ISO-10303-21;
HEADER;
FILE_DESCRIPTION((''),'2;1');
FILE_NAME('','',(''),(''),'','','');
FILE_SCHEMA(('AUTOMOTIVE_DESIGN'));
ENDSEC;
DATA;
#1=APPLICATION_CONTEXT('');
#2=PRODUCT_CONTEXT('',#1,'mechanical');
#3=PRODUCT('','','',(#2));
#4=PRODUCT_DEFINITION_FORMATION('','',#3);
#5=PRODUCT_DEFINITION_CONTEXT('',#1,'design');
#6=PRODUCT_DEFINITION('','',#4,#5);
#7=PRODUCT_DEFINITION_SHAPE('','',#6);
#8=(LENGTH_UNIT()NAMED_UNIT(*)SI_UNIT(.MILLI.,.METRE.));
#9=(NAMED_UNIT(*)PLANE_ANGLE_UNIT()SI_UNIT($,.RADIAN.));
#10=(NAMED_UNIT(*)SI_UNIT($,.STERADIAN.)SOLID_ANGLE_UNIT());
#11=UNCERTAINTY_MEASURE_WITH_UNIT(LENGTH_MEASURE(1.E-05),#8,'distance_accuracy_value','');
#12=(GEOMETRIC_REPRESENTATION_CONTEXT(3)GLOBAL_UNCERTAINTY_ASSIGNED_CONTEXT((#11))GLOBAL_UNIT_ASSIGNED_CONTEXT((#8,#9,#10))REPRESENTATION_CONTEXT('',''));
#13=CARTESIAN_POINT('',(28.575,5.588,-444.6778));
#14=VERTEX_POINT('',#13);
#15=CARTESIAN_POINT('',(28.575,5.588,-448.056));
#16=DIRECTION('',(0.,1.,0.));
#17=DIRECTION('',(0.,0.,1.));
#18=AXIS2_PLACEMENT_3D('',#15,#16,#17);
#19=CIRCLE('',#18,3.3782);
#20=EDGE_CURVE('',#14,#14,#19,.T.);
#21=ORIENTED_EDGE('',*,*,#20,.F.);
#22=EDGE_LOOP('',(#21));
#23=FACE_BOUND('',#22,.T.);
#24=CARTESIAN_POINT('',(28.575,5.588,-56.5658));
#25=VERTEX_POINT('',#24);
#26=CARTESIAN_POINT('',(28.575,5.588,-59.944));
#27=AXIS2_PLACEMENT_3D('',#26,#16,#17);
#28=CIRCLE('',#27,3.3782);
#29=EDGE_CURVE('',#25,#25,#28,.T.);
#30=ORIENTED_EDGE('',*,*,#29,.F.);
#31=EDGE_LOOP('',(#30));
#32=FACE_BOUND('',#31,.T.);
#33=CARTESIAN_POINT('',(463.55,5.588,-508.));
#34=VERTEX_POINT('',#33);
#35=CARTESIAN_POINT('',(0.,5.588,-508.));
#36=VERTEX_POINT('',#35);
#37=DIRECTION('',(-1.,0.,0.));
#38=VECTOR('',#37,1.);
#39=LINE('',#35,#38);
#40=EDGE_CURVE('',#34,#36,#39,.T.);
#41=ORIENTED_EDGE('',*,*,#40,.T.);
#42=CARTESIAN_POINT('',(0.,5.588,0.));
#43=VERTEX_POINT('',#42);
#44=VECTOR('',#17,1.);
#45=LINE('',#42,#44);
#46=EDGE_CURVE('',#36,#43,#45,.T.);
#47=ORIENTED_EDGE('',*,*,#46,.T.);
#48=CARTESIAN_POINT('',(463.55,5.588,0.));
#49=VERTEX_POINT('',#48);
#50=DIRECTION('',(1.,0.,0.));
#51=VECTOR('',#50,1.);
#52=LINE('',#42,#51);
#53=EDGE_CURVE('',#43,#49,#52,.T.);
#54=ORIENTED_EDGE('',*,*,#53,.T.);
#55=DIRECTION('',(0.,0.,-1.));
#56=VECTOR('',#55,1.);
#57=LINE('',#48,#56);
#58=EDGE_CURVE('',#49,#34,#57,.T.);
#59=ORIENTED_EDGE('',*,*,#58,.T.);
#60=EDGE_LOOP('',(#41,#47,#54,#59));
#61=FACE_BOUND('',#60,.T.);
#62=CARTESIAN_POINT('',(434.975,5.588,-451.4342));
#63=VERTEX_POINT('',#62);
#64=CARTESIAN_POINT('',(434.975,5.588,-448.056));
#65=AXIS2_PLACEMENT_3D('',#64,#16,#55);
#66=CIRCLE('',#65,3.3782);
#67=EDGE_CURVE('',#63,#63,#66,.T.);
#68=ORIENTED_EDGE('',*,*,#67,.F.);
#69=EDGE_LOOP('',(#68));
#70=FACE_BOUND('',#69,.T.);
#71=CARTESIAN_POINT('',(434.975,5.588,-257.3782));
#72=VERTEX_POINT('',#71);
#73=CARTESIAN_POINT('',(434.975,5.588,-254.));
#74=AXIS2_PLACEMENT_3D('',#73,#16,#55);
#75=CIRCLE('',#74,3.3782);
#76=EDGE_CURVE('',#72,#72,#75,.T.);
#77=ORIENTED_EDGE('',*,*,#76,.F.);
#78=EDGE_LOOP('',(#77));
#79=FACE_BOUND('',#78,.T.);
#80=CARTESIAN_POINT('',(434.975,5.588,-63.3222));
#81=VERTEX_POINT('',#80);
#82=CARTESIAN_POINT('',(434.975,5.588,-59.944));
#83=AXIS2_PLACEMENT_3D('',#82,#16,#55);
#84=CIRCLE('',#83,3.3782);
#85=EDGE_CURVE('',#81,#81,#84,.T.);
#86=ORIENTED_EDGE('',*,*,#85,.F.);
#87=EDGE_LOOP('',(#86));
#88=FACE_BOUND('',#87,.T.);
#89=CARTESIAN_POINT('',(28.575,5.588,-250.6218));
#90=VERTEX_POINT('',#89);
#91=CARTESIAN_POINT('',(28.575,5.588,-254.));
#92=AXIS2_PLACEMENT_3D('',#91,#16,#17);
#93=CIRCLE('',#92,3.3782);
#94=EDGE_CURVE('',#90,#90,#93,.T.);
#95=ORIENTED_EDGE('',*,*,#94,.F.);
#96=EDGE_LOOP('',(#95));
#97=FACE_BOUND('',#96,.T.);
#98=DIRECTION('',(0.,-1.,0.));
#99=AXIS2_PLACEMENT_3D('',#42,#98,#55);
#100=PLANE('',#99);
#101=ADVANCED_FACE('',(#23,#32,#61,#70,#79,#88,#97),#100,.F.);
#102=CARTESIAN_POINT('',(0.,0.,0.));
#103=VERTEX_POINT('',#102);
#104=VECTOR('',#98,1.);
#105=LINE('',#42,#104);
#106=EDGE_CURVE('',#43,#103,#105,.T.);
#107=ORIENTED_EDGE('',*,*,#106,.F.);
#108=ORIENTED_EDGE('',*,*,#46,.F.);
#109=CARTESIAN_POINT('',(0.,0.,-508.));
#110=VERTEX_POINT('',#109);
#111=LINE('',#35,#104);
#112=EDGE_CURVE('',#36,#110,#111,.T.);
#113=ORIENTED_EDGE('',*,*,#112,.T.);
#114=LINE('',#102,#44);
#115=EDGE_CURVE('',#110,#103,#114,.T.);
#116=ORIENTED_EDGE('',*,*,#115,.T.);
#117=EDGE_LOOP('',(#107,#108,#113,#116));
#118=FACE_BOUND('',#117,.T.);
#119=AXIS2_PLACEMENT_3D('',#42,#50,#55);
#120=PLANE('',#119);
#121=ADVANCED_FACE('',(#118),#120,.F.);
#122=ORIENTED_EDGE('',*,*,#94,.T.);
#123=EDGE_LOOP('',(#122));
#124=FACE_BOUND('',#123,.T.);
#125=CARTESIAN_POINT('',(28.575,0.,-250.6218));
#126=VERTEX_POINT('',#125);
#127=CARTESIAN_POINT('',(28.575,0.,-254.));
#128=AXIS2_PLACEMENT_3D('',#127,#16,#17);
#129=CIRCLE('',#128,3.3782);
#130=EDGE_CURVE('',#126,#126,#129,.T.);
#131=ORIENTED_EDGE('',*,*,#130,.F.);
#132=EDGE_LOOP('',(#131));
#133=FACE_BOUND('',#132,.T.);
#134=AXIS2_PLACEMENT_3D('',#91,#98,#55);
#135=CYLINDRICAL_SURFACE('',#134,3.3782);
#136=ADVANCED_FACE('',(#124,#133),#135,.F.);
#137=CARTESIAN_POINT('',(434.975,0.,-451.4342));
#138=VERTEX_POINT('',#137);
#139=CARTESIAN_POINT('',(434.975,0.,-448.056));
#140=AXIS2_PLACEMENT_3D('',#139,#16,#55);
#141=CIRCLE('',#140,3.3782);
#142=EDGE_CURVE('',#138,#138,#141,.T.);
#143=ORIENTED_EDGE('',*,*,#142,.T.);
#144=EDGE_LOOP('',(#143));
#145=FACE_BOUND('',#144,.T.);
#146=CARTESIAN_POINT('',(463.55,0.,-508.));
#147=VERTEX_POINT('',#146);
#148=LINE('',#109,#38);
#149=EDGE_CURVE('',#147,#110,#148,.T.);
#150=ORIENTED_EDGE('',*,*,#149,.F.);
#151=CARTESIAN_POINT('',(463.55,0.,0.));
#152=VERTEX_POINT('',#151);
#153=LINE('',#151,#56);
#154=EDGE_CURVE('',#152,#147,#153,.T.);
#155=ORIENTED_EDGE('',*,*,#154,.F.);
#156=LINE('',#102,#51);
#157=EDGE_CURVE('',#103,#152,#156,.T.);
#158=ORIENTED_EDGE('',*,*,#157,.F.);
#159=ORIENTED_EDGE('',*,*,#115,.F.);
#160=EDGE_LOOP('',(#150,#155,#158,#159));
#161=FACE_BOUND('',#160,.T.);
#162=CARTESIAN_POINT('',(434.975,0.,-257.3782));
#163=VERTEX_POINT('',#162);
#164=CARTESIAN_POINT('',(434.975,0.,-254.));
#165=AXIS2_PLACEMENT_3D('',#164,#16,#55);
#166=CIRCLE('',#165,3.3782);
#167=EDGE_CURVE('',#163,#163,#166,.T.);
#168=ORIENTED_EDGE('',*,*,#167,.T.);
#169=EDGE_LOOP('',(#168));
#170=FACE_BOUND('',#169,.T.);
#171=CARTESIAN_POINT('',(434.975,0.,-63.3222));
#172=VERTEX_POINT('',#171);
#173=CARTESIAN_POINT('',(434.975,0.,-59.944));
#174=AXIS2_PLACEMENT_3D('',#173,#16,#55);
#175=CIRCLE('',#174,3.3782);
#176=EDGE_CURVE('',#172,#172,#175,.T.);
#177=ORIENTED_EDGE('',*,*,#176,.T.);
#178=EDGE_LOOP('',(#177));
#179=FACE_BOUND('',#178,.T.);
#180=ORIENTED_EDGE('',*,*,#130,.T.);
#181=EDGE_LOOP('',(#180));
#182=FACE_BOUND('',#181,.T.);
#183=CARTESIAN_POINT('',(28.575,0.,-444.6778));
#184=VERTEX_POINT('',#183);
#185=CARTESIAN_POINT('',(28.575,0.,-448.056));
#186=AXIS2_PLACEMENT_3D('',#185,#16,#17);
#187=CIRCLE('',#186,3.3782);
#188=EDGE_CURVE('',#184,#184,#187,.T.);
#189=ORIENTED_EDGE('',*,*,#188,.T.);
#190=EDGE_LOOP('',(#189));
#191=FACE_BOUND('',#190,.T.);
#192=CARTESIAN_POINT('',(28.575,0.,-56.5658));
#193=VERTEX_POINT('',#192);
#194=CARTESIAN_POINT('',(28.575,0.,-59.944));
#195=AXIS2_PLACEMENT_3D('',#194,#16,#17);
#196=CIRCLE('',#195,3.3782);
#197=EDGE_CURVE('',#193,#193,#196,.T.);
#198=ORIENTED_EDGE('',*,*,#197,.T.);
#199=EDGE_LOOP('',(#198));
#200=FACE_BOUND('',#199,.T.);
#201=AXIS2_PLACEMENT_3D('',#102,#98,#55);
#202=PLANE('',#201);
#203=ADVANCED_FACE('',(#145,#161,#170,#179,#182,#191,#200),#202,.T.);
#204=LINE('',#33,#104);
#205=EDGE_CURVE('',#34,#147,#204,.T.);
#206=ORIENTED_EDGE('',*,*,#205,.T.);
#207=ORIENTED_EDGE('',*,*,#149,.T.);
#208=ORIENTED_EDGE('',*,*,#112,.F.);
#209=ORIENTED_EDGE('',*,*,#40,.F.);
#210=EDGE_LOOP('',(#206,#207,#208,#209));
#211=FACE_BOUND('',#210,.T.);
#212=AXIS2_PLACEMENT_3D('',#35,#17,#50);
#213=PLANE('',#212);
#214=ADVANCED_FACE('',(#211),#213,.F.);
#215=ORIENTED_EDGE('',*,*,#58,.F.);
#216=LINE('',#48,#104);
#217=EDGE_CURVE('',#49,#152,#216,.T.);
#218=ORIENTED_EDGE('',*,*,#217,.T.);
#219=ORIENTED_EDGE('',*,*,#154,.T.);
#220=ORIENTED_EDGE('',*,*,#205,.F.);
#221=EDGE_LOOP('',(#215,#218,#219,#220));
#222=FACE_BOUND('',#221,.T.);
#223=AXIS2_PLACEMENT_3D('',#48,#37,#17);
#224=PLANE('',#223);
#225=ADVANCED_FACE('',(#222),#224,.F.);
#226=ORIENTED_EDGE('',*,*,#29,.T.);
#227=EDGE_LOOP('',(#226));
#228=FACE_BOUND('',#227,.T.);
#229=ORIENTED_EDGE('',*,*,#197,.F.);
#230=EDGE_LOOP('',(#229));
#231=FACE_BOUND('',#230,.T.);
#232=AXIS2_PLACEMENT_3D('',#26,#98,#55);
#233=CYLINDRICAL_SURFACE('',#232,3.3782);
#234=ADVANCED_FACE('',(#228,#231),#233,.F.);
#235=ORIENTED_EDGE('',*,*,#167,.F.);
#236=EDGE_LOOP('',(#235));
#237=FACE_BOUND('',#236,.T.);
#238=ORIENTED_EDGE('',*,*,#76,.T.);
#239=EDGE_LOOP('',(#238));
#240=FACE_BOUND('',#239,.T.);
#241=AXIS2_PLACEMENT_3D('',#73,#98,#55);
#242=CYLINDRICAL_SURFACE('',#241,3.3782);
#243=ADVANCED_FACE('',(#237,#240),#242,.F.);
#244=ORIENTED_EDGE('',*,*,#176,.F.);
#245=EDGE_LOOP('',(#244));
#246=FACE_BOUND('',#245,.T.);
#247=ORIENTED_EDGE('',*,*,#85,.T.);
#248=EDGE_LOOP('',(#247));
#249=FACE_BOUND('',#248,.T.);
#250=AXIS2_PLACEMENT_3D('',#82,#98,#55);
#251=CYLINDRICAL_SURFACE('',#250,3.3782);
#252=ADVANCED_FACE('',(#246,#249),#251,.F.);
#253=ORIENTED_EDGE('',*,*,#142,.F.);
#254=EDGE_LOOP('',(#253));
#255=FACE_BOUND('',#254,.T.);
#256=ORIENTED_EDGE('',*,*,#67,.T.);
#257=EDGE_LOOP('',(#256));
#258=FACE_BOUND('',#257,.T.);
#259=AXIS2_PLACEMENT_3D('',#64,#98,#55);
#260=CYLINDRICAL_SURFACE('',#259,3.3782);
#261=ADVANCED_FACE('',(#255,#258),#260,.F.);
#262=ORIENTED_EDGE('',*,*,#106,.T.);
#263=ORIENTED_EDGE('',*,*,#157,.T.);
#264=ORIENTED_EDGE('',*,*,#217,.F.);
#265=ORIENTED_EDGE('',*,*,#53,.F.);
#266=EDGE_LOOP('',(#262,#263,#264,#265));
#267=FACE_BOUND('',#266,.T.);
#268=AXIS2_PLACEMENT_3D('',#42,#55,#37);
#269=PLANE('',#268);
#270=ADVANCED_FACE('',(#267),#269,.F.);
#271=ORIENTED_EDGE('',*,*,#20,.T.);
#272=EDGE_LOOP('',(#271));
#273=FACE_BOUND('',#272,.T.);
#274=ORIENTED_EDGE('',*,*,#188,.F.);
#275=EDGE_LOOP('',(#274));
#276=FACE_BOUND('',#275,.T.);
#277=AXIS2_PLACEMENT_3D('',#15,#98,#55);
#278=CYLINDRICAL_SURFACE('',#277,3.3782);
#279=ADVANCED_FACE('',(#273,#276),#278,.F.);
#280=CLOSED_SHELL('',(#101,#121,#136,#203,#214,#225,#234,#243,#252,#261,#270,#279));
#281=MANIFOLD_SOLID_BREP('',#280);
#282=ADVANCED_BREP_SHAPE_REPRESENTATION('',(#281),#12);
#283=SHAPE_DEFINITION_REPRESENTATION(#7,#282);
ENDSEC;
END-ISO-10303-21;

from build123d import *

# Parameters (mm, degrees)
SKETCH1_W           = 463.55
SKETCH1_H           = 508
SKETCH1_R           = 3.3782
BOSS_EXTRUDE1_DEPTH = 5.588


with BuildPart() as part:
    # Sketch1 → Boss-Extrude1 (new body)
    with BuildSketch(Plane(origin=(0, 0, 0), x_dir=(1, 0, 0), z_dir=(0, 1, 0))):
        with Locations((231.775, 254)):
            Rectangle(SKETCH1_W, SKETCH1_H)
        with Locations(Location((28.575, 59.944, 0), (0, 0, 270))):
            Circle(SKETCH1_R, mode=Mode.SUBTRACT)
        with Locations(Location((28.575, 254, 0), (0, 0, 270))):
            Circle(SKETCH1_R, mode=Mode.SUBTRACT)
        with Locations(Location((28.575, 448.056, 0), (0, 0, 270))):
            Circle(SKETCH1_R, mode=Mode.SUBTRACT)
        with Locations(Location((434.975, 448.056, 0), (0, 0, 90))):
            Circle(SKETCH1_R, mode=Mode.SUBTRACT)
        with Locations(Location((434.975, 254, 0), (0, 0, 90))):
            Circle(SKETCH1_R, mode=Mode.SUBTRACT)
        with Locations(Location((434.975, 59.944, 0), (0, 0, 90))):
            Circle(SKETCH1_R, mode=Mode.SUBTRACT)
    extrude(amount=BOSS_EXTRUDE1_DEPTH)


solid = part.part
